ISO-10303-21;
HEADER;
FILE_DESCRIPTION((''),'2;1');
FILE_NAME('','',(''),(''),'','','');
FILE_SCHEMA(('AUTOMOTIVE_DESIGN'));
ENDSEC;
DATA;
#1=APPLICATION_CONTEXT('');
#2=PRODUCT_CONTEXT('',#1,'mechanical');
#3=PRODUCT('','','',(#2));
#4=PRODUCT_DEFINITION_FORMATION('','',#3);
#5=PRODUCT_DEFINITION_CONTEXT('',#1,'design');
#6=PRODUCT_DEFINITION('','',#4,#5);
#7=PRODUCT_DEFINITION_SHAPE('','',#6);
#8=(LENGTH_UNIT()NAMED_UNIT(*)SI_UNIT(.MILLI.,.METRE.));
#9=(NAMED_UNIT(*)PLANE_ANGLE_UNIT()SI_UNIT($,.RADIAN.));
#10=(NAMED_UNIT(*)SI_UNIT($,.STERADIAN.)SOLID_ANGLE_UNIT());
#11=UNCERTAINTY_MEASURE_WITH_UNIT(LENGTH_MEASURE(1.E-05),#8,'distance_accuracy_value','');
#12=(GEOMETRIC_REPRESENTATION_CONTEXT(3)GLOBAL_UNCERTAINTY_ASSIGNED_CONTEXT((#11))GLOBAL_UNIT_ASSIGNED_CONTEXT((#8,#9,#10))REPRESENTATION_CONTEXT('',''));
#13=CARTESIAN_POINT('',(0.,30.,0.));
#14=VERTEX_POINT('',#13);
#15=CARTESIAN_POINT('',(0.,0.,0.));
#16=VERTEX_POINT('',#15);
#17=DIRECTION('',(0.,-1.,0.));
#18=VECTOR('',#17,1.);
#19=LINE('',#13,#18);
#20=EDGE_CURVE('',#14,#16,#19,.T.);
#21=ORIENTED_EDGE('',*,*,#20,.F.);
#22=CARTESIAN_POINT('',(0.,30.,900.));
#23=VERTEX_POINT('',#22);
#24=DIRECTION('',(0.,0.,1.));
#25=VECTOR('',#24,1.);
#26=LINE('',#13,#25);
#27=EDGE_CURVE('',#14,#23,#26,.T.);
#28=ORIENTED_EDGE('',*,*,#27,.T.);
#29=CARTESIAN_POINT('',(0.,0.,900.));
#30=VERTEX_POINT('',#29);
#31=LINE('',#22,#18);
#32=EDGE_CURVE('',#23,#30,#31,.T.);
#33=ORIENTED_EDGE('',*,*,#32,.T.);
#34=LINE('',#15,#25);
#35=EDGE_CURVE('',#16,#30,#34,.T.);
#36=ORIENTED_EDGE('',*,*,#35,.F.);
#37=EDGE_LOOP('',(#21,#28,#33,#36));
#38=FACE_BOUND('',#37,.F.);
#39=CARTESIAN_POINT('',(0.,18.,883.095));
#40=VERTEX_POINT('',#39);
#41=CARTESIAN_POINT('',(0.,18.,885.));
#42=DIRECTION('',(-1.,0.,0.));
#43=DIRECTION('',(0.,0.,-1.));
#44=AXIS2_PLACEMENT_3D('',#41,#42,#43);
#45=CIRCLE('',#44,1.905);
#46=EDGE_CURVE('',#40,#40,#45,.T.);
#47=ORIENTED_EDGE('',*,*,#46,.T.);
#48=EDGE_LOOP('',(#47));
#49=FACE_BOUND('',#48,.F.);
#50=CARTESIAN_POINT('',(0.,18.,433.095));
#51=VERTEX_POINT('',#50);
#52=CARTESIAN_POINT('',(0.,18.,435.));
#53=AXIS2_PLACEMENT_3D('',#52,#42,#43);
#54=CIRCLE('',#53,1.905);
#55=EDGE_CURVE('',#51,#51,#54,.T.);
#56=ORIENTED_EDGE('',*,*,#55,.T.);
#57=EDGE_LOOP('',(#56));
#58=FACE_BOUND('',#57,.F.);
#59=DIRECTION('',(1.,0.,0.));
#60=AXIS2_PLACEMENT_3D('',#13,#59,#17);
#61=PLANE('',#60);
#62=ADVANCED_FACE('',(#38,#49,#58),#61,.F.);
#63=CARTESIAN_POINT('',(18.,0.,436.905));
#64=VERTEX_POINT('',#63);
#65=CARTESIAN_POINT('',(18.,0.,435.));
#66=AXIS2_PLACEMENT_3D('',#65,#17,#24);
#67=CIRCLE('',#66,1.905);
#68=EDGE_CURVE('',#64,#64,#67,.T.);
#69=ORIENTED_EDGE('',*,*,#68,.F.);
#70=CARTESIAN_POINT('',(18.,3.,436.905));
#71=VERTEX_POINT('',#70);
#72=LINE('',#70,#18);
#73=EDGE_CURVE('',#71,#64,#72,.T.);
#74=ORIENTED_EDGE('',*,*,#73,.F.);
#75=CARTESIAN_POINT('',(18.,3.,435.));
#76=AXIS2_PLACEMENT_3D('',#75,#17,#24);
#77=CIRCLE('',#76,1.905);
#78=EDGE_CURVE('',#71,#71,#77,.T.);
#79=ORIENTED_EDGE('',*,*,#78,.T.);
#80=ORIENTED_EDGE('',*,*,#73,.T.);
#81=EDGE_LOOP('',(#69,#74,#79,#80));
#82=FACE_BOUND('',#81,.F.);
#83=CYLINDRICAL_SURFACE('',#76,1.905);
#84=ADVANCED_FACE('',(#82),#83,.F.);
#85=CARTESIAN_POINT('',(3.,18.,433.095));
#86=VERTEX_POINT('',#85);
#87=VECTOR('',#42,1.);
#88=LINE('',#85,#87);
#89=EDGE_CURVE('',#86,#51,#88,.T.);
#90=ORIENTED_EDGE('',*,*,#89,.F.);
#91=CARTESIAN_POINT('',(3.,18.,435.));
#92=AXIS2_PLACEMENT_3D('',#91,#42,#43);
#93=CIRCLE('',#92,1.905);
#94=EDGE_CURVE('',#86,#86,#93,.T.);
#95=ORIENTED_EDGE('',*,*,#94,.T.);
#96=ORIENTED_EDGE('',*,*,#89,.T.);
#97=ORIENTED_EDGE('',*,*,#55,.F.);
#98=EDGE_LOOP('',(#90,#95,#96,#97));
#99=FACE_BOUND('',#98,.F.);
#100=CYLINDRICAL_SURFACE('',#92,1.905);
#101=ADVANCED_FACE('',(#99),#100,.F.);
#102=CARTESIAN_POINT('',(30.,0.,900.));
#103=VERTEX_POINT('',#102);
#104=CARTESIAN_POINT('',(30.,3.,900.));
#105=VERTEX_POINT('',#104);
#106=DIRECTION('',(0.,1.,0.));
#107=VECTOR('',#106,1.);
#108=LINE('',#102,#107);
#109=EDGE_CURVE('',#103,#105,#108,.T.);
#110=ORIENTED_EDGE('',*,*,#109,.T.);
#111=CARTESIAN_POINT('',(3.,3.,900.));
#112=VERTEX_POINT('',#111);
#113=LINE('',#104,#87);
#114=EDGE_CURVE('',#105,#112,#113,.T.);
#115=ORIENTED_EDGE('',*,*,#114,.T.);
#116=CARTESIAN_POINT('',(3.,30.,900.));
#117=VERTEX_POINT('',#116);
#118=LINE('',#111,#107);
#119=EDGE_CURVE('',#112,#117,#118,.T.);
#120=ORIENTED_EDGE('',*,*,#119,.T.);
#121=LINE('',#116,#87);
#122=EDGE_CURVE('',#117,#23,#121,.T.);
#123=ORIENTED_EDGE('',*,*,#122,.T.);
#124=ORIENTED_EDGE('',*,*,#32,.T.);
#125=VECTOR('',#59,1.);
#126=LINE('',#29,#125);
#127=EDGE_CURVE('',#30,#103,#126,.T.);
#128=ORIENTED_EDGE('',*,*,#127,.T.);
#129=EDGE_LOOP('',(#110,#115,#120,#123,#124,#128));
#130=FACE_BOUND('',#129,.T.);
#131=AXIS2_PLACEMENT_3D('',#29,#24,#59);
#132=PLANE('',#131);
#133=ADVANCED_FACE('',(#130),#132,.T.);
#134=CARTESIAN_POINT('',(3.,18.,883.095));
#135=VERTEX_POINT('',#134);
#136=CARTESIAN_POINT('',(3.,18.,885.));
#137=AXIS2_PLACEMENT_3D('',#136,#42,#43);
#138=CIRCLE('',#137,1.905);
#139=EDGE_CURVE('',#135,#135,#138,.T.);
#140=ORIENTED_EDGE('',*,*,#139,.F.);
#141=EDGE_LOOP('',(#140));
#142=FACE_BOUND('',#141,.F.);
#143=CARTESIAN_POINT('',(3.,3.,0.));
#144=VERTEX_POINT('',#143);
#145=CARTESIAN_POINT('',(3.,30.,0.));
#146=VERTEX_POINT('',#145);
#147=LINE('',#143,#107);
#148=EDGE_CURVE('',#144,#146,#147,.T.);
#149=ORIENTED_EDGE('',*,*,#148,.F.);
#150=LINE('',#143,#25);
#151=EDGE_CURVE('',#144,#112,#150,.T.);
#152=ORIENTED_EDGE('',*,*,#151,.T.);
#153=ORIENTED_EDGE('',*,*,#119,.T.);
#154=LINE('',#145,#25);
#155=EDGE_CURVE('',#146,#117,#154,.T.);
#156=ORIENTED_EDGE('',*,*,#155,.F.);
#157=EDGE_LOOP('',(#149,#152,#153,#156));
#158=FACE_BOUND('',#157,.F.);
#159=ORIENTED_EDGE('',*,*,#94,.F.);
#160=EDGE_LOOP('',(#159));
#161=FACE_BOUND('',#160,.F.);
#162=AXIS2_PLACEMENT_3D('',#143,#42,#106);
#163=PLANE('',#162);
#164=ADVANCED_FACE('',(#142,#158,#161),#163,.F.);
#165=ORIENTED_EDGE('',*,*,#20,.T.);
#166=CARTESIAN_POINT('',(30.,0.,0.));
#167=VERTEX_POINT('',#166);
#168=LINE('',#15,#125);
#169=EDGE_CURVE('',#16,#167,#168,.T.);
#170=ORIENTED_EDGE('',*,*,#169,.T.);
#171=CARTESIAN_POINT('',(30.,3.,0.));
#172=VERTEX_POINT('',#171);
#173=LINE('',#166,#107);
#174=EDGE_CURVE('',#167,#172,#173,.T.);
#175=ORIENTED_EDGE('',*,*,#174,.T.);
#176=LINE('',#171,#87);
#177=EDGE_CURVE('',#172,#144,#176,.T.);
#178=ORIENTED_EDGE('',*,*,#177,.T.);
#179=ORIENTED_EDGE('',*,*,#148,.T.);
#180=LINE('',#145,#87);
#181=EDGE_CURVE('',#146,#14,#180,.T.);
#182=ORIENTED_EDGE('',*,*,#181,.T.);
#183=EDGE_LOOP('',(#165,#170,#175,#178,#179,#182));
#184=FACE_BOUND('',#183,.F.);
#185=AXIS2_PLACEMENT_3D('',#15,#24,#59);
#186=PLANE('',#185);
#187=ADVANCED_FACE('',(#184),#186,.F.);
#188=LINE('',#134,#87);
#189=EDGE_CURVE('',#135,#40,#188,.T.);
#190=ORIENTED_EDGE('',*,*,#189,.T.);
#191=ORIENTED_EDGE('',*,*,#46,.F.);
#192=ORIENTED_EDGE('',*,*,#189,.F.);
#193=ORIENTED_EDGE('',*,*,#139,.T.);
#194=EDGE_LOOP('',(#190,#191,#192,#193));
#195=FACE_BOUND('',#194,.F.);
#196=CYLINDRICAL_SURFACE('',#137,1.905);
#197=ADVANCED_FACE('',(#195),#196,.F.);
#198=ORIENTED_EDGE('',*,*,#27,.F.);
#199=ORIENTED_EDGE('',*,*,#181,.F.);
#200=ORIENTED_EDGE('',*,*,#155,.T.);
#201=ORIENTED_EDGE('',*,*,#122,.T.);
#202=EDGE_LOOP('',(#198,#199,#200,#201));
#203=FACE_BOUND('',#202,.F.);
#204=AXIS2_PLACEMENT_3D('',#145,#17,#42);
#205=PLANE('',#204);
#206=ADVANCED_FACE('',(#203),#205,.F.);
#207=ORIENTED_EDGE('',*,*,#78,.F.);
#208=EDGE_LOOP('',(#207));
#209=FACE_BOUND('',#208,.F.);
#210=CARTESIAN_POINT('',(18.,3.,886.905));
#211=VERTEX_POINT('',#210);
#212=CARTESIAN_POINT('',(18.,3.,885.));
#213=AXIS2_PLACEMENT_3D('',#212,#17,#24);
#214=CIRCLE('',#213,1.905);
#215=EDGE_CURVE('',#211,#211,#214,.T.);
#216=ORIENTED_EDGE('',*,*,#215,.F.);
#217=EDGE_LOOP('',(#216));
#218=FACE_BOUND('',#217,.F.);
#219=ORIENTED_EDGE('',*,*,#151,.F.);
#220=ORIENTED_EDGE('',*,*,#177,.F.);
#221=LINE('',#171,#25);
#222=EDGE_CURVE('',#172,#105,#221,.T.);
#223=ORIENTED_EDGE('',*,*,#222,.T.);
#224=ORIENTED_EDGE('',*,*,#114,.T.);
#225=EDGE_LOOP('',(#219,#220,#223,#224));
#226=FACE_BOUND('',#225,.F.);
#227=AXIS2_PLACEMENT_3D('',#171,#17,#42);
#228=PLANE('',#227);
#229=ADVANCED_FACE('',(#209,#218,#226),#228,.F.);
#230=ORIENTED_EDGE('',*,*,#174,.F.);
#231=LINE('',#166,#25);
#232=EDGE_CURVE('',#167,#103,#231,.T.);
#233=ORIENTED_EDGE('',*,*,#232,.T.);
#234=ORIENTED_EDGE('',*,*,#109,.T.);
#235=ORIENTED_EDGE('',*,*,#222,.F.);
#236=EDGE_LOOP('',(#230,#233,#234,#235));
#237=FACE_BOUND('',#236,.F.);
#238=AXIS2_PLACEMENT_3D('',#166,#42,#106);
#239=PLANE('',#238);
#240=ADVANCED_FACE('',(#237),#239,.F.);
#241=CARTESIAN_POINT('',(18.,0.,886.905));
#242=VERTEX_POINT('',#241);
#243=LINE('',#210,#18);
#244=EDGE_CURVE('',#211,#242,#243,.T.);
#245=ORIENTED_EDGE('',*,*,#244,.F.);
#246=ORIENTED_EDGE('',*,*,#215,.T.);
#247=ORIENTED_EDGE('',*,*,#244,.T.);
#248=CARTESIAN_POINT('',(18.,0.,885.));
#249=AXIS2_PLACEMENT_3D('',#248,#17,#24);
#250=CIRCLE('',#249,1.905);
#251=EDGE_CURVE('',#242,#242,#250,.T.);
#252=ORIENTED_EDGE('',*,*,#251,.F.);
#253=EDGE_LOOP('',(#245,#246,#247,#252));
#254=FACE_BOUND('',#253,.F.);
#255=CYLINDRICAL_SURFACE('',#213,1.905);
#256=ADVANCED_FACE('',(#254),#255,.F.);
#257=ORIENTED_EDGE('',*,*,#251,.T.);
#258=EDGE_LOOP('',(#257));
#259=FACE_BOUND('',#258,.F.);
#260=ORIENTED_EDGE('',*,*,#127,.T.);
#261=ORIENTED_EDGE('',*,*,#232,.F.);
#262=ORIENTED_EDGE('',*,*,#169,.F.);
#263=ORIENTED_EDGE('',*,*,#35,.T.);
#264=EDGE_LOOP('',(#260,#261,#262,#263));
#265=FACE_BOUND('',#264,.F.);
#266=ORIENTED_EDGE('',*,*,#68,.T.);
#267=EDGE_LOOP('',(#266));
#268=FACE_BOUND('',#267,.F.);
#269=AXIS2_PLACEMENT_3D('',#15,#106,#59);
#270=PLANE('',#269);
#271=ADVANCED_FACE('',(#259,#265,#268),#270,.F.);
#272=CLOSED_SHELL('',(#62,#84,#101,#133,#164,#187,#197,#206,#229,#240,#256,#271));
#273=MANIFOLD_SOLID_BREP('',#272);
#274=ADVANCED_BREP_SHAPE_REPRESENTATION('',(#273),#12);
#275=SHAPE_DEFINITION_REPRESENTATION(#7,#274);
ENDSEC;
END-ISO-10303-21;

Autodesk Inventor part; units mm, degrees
ref_plane "YZ Plane" through (0, 0, 0) normal (1, 0, 0) x (0, 1, 0)
ref_plane "XZ Plane" through (0, 0, 0) normal (0, 1, 0) x (-1, 0, 0)
ref_plane "XY Plane" through (0, 0, 0) normal (0, 0, 1) x (1, 0, 0)
sketch "Sketch1" plane through (0, 0, 0) normal (0, 0, 1) x (1, 0, 0)
  line L0 (0, 0) -> (30, 0)
  line L1 (30, 0) -> (30, 3)
  line L2 (30, 3) -> (3, 3)
  line L3 (3, 3) -> (3, 30)
  line L4 (3, 30) -> (0, 30)
  line L5 (0, 30) -> (0, 0)
  dimension "d0" = 3
  dimension "d1" = 3
  dimension "d2" = 30
  dimension "d3" = 30
extrude "Extrusion1" add sketch "Sketch1" along normal blind 900
sketch "Sketch2" plane through (3, 3, 900) normal (0, 1, 0) x (1, 0, 0)
  line L0 (0, 900) -> (0, 0) projected
  line L1 (27, 0) -> (0, 0) projected
  point P0 (-3, 900)
  point P1 (15, 15)
  point P2 (15, 465)
  point P3 (15, 915)
  point P4 (15, 1365)
  dimension "d6" = 15
  dimension "d7" = 15
  dimension "d8" = 27
  dimension "d9" = 15
  dimension "d10" = 450
  dimension "d11" = 450
  dimension "d12" = 15
  dimension "d13" = 450
  dimension "d14" = 15
hole "Hole1" at (18, 3, 885) at (18, 3, 435) at (18, 3, -15) at (18, 3, -465) direction (0, -1, 0) diameter 3.81 end through all
sketch "Sketch3" plane through (3, 30, 900) normal (1, 0, 0) x (0, 0, -1)
  line L0 (0, -27) -> (0, 0) projected
  line L1 (900, -27) -> (0, -27) projected
  point P0 (900, -30)
  point P1 (15, -12)
  point P2 (465, -12)
  point P3 (915, -12)
  point P4 (1365, -12)
  dimension "d22" = 15
  dimension "d23" = 15
  dimension "d24" = 15
  dimension "d25" = 450
  dimension "d26" = 450
  dimension "d27" = 15
  dimension "d28" = 450
  dimension "d29" = 15
hole "Hole2" at (3, 18, 885) at (3, 18, 435) at (3, 18, -15) at (3, 18, -465) direction (-1, 0, 0) diameter 3.81 end through all
equation "\"d0\" = Thickness"
equation "\"d1\" = Thickness"
equation "\"d2\" = Width"
equation "\"d3\" = Width"
equation "\"d4\" = Height"
equation "\"d6\" = HoleDistance"
equation "\"d7\" = HoleDistance"
equation "\"d9\" = HoleDistance"
equation "\"d12\" = HoleDistance"
equation "\"d14\" = HoleDistance"
equation "\"d22\" = HoleDistance"
equation "\"d23\" = HoleDistance"
equation "\"d24\" = HoleDistance"
equation "\"d27\" = HoleDistance"
equation "\"d29\" = HoleDistance"
equation "\"Width\" = 30"
equation "\"Thickness\" = 3"
equation "\"Height\" = 900"
equation "\"HoleDistance\" = 15"
properties part number "corner90"
